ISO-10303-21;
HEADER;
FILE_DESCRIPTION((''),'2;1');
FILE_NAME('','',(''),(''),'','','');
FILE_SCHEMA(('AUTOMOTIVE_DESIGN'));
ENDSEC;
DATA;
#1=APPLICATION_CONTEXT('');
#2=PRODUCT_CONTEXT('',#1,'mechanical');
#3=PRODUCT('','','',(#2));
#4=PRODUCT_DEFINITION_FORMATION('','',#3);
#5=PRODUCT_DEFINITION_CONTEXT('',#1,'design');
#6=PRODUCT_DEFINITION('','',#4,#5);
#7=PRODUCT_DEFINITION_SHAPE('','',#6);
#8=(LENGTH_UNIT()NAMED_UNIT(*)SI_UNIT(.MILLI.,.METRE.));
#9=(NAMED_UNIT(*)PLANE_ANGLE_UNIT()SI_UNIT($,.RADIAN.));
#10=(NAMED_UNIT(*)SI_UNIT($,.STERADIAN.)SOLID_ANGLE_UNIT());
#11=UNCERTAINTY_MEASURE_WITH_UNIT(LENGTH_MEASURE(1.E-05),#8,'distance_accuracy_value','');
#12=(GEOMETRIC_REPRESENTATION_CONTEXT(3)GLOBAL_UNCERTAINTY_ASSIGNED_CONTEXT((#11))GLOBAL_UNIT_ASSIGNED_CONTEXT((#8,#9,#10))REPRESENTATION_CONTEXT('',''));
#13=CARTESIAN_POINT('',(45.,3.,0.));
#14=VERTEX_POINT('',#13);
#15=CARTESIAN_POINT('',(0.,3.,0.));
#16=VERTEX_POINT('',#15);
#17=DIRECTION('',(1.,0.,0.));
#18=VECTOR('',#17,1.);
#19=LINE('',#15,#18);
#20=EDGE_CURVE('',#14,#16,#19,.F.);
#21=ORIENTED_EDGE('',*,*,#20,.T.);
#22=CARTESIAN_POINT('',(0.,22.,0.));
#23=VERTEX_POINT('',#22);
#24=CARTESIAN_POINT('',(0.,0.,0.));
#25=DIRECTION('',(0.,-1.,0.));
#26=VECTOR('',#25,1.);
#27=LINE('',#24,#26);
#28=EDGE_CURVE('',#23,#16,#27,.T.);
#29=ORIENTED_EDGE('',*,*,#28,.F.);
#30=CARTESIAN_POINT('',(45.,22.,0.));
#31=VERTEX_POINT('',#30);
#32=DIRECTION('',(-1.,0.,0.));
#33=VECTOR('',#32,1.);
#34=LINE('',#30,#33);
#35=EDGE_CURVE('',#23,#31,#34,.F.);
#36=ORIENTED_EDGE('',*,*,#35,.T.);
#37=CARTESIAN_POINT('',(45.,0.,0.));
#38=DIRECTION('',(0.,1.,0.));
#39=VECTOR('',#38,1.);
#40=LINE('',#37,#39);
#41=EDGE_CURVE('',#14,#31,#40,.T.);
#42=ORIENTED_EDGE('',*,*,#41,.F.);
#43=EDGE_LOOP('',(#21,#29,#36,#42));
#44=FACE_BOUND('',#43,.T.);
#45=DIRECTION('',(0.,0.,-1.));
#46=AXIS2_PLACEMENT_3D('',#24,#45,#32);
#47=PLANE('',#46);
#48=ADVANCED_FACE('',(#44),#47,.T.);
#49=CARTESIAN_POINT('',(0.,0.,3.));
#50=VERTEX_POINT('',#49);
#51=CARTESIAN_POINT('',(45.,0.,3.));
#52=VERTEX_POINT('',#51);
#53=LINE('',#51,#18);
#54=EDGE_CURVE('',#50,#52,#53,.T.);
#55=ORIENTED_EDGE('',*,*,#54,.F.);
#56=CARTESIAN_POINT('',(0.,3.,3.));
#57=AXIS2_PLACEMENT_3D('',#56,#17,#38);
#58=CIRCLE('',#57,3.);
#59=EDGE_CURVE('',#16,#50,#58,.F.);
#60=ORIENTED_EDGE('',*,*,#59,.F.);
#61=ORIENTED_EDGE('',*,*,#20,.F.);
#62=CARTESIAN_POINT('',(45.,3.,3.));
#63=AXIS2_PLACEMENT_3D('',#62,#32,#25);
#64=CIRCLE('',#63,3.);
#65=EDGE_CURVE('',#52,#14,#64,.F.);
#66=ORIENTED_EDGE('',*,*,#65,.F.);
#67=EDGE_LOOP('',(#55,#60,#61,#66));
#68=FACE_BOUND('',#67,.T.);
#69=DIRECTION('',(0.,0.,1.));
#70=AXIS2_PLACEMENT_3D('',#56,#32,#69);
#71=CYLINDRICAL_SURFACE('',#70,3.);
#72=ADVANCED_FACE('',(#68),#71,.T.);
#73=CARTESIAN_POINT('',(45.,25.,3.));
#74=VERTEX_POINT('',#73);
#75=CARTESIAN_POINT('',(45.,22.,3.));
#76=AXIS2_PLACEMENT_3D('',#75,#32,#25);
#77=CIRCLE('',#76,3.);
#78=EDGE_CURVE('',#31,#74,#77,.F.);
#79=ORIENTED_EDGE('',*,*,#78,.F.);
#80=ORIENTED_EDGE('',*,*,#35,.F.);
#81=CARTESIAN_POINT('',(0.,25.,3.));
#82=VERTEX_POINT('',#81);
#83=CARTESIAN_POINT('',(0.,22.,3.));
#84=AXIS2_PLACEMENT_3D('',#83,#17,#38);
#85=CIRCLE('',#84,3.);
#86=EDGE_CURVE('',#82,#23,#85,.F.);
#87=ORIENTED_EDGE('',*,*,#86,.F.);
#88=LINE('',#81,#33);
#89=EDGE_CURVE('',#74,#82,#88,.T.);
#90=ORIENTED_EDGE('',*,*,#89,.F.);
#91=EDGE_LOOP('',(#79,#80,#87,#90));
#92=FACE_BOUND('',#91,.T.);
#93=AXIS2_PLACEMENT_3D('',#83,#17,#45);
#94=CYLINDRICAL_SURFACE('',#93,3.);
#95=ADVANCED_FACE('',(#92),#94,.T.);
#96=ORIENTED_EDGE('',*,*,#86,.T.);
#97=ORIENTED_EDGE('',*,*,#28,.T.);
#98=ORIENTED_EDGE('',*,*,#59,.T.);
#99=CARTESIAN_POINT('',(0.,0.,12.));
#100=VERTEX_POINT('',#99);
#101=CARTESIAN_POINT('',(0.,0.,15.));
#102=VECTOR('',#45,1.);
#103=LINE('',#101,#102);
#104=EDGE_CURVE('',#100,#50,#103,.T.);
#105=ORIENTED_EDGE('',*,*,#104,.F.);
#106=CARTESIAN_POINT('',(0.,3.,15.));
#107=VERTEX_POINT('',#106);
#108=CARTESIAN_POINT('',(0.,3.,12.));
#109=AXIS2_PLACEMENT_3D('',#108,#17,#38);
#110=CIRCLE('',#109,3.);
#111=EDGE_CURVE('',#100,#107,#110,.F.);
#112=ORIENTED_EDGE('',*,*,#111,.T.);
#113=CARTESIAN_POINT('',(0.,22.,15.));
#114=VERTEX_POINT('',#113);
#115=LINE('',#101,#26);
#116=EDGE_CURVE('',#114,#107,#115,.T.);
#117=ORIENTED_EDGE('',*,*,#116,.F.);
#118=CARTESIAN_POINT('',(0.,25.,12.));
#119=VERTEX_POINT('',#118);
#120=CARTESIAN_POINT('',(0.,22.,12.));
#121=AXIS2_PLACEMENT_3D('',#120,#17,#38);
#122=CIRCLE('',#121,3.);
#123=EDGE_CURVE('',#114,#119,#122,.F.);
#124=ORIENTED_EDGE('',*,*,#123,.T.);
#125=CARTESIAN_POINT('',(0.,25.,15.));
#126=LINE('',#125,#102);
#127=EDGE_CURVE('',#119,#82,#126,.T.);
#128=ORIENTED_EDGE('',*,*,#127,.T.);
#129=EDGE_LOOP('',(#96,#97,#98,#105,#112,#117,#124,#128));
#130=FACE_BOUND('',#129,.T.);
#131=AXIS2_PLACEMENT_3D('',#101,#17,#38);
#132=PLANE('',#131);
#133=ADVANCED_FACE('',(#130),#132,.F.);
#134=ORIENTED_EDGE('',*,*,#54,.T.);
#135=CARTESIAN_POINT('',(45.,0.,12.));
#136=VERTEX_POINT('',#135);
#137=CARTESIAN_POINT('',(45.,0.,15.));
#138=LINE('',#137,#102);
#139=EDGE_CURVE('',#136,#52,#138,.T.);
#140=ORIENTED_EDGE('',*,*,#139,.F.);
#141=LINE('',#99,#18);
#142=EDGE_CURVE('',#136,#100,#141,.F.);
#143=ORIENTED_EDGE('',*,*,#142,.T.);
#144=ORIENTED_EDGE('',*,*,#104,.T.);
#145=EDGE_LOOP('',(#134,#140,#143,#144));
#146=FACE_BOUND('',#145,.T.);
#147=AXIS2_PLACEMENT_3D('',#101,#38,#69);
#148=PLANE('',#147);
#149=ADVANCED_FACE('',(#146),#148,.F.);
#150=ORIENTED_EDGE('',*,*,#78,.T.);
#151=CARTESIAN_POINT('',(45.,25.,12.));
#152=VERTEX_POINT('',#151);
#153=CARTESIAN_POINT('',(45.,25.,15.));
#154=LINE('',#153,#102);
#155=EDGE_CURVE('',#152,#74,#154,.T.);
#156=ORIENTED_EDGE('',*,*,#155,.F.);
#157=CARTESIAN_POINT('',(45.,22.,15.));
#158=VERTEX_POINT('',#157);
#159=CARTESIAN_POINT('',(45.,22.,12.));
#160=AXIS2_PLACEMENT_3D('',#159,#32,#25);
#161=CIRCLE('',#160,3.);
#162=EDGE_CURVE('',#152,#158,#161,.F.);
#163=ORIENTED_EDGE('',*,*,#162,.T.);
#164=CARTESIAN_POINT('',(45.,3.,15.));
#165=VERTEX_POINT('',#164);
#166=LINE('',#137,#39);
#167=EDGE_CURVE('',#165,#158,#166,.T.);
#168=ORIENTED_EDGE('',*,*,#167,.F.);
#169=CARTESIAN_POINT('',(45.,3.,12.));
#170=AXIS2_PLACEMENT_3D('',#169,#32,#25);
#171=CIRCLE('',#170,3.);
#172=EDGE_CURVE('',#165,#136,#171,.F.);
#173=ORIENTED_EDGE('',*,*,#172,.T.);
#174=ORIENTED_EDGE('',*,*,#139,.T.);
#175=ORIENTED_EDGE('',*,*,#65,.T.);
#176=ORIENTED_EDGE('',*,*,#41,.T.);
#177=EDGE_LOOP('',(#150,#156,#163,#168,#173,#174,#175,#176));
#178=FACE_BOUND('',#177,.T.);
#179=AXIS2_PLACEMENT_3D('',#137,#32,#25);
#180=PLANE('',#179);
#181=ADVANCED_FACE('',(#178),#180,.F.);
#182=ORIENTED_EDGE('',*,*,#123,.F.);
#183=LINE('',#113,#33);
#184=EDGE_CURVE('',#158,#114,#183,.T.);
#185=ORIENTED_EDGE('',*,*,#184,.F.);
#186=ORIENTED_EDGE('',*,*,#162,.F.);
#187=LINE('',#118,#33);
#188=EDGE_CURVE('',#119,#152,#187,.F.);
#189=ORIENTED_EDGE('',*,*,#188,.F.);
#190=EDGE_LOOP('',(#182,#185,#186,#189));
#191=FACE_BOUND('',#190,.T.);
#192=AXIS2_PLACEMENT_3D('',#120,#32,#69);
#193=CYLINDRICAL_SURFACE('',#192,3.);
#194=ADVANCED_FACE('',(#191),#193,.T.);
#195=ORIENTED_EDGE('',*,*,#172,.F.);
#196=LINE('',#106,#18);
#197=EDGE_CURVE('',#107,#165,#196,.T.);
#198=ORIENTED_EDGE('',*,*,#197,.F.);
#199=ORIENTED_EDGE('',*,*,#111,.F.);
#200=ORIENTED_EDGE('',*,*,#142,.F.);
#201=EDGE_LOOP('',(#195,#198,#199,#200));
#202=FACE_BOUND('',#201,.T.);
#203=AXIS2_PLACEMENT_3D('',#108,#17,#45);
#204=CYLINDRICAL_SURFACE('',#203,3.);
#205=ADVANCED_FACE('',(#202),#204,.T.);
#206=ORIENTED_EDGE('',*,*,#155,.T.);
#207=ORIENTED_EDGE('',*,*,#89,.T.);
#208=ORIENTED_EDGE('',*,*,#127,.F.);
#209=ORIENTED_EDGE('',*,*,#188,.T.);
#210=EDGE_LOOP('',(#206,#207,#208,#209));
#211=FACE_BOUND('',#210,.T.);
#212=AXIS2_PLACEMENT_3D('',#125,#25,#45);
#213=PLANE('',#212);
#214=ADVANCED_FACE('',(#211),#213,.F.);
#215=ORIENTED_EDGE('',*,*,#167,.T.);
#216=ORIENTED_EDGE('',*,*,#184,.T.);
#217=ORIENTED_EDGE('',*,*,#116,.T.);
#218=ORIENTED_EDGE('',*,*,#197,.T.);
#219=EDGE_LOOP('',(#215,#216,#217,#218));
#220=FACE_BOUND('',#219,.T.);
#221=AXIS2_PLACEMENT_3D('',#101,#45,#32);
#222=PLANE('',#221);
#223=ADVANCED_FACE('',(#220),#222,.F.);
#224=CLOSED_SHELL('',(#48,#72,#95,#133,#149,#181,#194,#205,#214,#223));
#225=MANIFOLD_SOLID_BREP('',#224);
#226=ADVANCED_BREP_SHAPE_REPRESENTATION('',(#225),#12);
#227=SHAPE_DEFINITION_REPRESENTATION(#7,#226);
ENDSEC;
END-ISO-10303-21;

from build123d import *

# Parameters (mm, degrees)
ESBO_O1_W                = 45
ESBO_O1_H                = 25
RESSALTO_EXTRUS_O1_DEPTH = 15
FILETE1_R                = 3


with BuildPart() as part:
    # Esboço1 → Ressalto-extrusão1 (new body)
    with BuildSketch(Plane.XY):
        with Locations((22.5, 12.5)):
            Rectangle(ESBO_O1_W, ESBO_O1_H)
    extrude(amount=RESSALTO_EXTRUS_O1_DEPTH)

    # Filete1
    filete1_edges = [part.edges().sort_by_distance(p)[0] for p in [
        (22.5, 25, 15),
        (22.5, 25, 0),
        (22.5, 0, 0),
        (22.5, 0, 15),
    ]]
    fillet(filete1_edges, radius=FILETE1_R)


solid = part.part
